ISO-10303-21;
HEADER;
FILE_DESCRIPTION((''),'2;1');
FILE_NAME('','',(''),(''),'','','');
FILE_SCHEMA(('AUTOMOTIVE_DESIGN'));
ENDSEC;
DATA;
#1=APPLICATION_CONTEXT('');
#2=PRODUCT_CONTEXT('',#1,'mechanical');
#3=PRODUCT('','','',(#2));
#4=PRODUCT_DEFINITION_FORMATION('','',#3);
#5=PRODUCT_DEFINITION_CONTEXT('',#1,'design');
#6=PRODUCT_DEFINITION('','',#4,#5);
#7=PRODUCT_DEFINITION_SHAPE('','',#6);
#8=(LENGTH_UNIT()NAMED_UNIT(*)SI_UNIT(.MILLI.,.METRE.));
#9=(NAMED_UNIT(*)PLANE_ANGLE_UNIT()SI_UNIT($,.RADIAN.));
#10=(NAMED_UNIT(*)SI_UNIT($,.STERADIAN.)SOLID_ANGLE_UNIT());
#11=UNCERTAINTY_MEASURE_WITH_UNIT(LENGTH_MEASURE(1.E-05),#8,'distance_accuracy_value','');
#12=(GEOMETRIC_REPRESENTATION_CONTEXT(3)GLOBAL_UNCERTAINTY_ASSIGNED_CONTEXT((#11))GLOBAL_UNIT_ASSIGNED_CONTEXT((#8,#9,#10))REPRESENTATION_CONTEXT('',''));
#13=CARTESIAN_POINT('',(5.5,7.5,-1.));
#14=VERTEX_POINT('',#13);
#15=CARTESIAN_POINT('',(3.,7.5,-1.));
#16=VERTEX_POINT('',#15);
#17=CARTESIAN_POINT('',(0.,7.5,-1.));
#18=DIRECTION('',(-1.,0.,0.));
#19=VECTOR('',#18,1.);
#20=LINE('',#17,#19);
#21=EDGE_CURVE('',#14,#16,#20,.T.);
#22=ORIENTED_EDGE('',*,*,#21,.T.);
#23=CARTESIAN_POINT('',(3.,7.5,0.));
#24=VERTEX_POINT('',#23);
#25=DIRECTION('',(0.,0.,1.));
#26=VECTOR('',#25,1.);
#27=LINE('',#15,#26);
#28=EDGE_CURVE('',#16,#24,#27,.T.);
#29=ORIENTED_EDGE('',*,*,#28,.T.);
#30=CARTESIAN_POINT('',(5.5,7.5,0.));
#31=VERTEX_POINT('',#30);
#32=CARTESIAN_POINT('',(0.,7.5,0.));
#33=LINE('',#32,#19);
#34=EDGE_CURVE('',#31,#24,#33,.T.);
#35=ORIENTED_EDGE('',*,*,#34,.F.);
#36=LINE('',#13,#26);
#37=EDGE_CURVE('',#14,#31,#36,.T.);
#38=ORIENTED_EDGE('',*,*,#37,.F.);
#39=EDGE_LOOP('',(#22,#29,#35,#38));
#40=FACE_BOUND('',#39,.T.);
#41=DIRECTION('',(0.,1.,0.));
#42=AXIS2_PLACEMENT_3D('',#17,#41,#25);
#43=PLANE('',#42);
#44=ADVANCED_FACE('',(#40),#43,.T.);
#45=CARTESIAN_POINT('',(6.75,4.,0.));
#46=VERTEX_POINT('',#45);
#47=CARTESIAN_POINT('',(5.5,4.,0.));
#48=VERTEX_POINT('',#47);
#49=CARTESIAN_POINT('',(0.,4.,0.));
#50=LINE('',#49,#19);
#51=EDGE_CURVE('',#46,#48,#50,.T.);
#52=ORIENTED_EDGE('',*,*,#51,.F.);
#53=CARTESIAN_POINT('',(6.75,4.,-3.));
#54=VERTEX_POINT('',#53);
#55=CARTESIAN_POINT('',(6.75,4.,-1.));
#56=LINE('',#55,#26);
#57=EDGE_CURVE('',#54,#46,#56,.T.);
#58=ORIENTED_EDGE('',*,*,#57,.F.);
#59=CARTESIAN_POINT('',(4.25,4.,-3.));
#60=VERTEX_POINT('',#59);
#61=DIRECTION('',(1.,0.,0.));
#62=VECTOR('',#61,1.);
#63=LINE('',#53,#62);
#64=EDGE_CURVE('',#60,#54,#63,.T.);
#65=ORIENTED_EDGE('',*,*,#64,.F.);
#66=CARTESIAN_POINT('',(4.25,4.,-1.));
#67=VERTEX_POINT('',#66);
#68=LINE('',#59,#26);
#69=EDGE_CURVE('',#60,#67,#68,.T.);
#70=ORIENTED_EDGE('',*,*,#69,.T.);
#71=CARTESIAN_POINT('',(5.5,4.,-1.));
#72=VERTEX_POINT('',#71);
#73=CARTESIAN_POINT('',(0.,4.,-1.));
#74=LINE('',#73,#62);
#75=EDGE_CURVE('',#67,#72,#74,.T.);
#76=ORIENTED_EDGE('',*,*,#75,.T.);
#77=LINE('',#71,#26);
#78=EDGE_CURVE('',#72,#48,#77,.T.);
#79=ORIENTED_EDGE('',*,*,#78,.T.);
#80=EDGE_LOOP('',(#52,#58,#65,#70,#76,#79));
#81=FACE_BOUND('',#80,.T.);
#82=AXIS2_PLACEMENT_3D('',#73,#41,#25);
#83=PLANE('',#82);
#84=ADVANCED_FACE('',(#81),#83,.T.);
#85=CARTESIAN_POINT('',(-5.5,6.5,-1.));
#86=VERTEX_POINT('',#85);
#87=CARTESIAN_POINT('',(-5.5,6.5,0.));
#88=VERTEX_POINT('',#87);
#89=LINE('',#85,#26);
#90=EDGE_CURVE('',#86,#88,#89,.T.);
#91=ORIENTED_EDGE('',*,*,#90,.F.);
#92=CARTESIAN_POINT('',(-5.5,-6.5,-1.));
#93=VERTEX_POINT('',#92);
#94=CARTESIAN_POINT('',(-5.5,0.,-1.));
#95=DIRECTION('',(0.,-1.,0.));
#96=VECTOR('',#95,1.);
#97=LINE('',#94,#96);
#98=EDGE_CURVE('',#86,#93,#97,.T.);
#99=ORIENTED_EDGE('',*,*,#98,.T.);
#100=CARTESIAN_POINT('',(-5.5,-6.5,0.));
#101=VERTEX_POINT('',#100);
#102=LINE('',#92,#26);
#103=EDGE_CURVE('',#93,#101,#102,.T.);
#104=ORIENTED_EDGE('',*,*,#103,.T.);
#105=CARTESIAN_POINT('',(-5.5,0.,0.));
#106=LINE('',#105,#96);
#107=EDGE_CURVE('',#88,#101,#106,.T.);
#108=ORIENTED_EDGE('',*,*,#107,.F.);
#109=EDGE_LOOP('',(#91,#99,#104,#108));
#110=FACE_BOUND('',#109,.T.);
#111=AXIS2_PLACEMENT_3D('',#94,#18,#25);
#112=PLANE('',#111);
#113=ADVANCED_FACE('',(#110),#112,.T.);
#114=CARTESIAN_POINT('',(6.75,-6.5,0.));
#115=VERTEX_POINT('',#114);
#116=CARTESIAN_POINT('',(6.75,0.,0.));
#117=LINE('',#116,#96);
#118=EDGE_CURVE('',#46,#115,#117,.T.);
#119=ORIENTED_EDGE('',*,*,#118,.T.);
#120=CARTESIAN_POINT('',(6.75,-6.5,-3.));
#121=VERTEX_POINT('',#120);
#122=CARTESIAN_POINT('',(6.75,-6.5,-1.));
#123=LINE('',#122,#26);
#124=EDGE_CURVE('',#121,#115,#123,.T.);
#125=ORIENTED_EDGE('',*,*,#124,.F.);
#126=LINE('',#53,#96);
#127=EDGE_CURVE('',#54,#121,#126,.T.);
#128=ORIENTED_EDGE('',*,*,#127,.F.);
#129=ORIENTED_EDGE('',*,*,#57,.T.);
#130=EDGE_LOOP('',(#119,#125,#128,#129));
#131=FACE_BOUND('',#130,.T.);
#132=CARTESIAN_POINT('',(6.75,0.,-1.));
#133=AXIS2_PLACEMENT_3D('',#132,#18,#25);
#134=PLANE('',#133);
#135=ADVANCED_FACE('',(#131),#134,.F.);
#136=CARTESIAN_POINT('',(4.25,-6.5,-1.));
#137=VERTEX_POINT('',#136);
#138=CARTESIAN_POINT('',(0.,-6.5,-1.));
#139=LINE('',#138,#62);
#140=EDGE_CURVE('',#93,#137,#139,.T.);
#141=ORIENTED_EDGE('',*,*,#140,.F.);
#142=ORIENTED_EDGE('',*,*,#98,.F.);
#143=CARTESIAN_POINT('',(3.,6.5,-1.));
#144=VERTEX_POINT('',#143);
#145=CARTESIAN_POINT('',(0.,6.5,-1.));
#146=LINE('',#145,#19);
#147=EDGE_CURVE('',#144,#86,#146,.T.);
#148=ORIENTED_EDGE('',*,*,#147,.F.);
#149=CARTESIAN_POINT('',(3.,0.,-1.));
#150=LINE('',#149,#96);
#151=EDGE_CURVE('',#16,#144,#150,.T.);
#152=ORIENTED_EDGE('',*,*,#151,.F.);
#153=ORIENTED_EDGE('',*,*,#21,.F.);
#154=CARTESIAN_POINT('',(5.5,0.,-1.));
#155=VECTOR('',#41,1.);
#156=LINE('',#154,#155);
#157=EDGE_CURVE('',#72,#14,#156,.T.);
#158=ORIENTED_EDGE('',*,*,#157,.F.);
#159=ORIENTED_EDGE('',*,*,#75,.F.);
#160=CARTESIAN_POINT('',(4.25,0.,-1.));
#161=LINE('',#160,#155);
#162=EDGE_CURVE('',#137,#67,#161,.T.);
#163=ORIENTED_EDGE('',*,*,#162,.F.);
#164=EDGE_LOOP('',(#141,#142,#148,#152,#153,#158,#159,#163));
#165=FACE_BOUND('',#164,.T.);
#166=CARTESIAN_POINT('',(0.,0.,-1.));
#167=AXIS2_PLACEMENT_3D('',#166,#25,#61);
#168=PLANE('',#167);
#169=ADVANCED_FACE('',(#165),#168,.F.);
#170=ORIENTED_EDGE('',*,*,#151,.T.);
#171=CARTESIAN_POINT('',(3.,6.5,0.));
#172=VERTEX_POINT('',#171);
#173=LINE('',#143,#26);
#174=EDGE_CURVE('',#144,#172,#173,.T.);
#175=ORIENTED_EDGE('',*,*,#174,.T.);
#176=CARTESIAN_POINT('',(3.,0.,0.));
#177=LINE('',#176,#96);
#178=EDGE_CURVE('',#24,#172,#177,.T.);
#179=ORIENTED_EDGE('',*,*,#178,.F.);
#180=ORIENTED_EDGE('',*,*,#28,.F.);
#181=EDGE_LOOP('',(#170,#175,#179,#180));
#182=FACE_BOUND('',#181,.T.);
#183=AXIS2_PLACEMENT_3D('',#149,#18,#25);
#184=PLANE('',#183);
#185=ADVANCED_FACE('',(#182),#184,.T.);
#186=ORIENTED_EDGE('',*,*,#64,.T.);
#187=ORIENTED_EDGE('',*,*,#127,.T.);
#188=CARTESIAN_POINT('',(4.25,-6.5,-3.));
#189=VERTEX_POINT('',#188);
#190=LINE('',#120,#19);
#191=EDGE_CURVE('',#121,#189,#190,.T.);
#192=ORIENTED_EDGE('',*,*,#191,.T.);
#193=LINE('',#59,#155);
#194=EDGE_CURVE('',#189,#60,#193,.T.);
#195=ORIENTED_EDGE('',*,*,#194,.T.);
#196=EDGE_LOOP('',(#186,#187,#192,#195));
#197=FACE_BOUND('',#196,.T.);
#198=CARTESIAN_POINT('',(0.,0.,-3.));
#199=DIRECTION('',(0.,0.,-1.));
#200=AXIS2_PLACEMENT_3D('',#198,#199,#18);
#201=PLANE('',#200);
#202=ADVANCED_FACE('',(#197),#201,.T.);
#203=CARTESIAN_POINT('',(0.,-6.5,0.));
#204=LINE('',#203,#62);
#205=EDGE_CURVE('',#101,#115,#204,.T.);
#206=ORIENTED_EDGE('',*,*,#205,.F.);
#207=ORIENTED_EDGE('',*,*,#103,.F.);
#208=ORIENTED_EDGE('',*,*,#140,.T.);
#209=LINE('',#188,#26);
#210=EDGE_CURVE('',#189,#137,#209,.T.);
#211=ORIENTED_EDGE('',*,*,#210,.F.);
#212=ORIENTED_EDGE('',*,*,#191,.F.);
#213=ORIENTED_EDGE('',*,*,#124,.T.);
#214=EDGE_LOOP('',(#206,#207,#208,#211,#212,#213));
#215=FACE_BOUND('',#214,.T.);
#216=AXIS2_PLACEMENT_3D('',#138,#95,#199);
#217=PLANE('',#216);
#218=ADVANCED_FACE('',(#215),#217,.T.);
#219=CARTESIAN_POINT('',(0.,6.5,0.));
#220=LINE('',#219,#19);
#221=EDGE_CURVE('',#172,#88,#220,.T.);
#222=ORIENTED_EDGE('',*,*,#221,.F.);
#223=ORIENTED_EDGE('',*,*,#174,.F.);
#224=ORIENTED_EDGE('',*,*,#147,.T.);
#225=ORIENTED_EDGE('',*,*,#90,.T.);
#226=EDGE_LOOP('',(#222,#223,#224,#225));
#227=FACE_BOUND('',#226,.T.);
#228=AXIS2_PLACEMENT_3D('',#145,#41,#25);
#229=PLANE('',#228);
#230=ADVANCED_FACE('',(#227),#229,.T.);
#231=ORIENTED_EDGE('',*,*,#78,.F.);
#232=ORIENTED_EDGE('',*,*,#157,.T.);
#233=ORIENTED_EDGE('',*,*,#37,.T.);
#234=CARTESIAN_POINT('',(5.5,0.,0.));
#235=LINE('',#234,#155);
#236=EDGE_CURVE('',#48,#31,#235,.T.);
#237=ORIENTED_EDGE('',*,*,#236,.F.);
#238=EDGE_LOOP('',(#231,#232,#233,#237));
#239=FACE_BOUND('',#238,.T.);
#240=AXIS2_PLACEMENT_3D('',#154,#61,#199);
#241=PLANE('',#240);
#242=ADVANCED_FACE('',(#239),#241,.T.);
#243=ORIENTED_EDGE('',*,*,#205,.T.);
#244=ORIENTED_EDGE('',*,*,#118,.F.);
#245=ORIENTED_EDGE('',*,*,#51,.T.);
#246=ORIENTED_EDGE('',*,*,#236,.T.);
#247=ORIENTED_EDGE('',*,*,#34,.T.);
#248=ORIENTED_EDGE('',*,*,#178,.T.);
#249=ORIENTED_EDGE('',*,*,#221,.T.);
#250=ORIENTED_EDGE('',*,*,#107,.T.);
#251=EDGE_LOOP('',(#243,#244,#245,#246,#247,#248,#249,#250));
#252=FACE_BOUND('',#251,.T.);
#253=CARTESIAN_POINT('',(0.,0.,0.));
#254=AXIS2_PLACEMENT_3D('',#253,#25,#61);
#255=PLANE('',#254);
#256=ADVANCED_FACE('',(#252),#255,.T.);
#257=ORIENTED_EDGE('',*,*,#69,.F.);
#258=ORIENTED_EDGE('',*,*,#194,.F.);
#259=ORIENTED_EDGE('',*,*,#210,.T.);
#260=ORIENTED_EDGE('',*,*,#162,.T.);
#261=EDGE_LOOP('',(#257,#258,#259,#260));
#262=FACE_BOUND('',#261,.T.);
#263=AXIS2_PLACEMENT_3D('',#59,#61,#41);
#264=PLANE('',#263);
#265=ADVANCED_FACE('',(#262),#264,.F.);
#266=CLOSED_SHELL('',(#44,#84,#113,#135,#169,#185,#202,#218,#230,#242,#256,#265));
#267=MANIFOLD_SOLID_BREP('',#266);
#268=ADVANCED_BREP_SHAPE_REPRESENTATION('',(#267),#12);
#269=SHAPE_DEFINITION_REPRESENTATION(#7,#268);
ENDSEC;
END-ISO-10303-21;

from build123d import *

# Parameters (mm, degrees)
BOSS_EXTRUDE1_DEPTH = 1
CUT_EXTRUDE1_DEPTH  = 11.325938214
SKETCH3_W           = 2.5
SKETCH3_H           = 10.5
BOSS_EXTRUDE2_DEPTH = 3


with BuildPart() as part:
    # Sketch1 → Boss-Extrude1 (new body)
    with BuildSketch(Plane.XY):
        Polygon((2.75, 6.75), (-5.75, 6.75), (-5.75, -6.75), (6.75, -6.75), (6.75, 4.25), (5.75, 4.25), (5.75, 7.75), (2.75, 7.75), align=None)
    extrude(amount=-BOSS_EXTRUDE1_DEPTH)

    # Sketch2 → Cut-Extrude1 (cut, through all)
    with BuildSketch(Plane.XY):
        Polygon((6.75, 4.25), (5.75, 4.25), (5.75, 7.75), (2.75, 7.75), (2.75, 6.75), (-5.75, 6.75), (-5.75, -6.75), (6.75, -6.75), (6.75, -6.5), (6.5, -6.5), (-5.5, -6.5), (-5.5, 6.5), (3, 6.5), (3, 7.5), (5.5, 7.5), (5.5, 4), (6.5, 4), (6.75, 4), align=None)
    extrude(amount=-CUT_EXTRUDE1_DEPTH, mode=Mode.SUBTRACT)

    # Sketch3 → Boss-Extrude2 (add)
    with BuildSketch(Plane(origin=(0, 0, 0), x_dir=(-1, 0, 0), z_dir=(0, 0, -1))):
        with Locations((-5.5, -1.25)):
            Rectangle(SKETCH3_W, SKETCH3_H)
    extrude(amount=BOSS_EXTRUDE2_DEPTH)


solid = part.part
